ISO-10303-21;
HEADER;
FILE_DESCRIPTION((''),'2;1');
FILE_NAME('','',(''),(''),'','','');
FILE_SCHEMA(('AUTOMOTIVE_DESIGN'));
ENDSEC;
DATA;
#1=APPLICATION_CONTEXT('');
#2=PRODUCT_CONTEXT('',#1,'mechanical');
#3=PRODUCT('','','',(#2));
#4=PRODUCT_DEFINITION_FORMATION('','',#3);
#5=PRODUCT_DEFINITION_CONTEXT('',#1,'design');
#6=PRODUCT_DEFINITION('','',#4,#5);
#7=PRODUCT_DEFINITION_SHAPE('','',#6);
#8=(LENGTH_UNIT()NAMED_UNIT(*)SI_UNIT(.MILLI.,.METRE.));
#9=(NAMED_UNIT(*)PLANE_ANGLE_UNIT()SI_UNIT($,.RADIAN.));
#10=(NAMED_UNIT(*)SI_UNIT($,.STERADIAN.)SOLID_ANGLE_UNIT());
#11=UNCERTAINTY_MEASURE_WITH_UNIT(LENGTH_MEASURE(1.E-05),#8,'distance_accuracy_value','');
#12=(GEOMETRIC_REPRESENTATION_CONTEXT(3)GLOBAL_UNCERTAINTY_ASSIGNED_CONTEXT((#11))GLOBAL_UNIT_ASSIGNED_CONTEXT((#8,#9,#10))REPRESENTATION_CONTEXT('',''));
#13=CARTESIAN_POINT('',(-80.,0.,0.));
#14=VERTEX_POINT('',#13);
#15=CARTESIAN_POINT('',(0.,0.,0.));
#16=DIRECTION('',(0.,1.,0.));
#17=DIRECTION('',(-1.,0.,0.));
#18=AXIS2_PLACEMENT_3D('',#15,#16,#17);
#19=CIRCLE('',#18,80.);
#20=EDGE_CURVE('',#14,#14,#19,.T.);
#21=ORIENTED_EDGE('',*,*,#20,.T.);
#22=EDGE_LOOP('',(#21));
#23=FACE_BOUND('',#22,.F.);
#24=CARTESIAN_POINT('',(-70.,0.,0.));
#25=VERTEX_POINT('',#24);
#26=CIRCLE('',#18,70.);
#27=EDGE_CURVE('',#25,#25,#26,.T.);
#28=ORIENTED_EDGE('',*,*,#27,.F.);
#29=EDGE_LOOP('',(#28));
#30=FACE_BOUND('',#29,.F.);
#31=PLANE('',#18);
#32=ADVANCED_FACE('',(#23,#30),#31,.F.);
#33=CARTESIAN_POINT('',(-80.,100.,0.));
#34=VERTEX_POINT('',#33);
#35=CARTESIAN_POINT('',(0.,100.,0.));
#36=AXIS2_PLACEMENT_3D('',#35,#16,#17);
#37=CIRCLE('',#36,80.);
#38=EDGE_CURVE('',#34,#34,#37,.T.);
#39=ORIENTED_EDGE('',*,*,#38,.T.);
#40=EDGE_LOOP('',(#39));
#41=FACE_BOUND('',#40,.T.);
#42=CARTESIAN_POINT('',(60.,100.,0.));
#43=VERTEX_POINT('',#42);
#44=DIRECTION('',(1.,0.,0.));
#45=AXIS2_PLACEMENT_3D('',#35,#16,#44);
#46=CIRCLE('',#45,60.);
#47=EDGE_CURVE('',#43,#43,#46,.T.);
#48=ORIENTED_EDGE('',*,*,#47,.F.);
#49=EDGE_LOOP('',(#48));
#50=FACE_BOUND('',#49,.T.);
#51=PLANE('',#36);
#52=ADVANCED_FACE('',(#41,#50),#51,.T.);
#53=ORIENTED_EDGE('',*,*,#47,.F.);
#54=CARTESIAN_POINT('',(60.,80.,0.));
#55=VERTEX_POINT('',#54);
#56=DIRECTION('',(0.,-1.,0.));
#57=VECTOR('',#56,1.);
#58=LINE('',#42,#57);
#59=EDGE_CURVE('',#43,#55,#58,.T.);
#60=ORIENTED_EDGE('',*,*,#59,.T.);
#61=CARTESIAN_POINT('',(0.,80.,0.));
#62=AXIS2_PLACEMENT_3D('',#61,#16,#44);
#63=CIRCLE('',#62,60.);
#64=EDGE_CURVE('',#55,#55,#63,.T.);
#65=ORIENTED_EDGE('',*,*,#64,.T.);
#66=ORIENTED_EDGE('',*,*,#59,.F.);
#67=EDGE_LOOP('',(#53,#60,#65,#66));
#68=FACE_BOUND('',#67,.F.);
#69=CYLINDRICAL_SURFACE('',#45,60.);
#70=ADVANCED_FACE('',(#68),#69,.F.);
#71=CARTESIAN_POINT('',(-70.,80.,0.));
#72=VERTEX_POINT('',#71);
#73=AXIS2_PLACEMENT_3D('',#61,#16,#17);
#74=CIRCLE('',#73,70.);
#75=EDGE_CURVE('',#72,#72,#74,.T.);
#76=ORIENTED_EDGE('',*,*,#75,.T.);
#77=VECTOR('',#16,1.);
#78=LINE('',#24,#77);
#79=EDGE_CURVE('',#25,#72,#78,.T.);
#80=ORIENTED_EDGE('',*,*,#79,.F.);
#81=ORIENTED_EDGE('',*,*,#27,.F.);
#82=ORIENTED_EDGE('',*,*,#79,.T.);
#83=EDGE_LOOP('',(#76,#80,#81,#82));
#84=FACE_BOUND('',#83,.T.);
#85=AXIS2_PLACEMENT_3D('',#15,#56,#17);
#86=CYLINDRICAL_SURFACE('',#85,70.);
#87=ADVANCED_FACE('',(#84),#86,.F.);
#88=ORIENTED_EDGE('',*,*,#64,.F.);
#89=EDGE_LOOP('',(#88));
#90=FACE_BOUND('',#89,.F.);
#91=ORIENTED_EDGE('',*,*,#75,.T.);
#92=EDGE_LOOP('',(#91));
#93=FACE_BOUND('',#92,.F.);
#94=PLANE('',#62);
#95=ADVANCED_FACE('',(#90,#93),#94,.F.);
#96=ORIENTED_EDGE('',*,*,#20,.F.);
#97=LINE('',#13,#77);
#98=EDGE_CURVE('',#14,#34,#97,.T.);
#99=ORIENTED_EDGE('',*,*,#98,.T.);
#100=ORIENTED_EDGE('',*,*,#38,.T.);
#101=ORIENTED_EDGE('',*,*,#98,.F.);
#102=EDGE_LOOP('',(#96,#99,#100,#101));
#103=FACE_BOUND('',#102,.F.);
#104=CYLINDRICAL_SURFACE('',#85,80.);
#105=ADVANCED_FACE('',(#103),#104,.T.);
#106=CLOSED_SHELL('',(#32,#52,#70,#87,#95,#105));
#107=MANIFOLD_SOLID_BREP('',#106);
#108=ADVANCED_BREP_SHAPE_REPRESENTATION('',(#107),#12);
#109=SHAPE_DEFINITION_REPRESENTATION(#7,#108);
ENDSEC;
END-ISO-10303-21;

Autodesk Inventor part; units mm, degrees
ref_plane "YZ Plane" through (0, 0, 0) normal (1, 0, 0) x (0, 1, 0)
ref_plane "XZ Plane" through (0, 0, 0) normal (0, 1, 0) x (-1, 0, 0)
ref_plane "XY Plane" through (0, 0, 0) normal (0, 0, 1) x (1, 0, 0)
sketch "Sketch1" plane through (0, 0, 0) normal (0, 1, 0) x (-1, 0, 0)
  circle A0 centre (0, 0) radius 80
  circle A1 centre (0, 0) radius 70
  dimension "d0" = 160
  dimension "d1" = 10
extrude "Extrusion1" add sketch "Sketch1" along normal blind 100
sketch "Sketch2" plane through (0, 100, 0) normal (0, 1, 0) x (1, 0, 0)
  circle A0 centre (0, 0) radius 60
  circle A1 centre (0, 0) radius 70 projected
  dimension "d4" = 10
extrude "Extrusion2" add sketch "Sketch2" against normal blind 20
properties part number "Parte media arriba"
